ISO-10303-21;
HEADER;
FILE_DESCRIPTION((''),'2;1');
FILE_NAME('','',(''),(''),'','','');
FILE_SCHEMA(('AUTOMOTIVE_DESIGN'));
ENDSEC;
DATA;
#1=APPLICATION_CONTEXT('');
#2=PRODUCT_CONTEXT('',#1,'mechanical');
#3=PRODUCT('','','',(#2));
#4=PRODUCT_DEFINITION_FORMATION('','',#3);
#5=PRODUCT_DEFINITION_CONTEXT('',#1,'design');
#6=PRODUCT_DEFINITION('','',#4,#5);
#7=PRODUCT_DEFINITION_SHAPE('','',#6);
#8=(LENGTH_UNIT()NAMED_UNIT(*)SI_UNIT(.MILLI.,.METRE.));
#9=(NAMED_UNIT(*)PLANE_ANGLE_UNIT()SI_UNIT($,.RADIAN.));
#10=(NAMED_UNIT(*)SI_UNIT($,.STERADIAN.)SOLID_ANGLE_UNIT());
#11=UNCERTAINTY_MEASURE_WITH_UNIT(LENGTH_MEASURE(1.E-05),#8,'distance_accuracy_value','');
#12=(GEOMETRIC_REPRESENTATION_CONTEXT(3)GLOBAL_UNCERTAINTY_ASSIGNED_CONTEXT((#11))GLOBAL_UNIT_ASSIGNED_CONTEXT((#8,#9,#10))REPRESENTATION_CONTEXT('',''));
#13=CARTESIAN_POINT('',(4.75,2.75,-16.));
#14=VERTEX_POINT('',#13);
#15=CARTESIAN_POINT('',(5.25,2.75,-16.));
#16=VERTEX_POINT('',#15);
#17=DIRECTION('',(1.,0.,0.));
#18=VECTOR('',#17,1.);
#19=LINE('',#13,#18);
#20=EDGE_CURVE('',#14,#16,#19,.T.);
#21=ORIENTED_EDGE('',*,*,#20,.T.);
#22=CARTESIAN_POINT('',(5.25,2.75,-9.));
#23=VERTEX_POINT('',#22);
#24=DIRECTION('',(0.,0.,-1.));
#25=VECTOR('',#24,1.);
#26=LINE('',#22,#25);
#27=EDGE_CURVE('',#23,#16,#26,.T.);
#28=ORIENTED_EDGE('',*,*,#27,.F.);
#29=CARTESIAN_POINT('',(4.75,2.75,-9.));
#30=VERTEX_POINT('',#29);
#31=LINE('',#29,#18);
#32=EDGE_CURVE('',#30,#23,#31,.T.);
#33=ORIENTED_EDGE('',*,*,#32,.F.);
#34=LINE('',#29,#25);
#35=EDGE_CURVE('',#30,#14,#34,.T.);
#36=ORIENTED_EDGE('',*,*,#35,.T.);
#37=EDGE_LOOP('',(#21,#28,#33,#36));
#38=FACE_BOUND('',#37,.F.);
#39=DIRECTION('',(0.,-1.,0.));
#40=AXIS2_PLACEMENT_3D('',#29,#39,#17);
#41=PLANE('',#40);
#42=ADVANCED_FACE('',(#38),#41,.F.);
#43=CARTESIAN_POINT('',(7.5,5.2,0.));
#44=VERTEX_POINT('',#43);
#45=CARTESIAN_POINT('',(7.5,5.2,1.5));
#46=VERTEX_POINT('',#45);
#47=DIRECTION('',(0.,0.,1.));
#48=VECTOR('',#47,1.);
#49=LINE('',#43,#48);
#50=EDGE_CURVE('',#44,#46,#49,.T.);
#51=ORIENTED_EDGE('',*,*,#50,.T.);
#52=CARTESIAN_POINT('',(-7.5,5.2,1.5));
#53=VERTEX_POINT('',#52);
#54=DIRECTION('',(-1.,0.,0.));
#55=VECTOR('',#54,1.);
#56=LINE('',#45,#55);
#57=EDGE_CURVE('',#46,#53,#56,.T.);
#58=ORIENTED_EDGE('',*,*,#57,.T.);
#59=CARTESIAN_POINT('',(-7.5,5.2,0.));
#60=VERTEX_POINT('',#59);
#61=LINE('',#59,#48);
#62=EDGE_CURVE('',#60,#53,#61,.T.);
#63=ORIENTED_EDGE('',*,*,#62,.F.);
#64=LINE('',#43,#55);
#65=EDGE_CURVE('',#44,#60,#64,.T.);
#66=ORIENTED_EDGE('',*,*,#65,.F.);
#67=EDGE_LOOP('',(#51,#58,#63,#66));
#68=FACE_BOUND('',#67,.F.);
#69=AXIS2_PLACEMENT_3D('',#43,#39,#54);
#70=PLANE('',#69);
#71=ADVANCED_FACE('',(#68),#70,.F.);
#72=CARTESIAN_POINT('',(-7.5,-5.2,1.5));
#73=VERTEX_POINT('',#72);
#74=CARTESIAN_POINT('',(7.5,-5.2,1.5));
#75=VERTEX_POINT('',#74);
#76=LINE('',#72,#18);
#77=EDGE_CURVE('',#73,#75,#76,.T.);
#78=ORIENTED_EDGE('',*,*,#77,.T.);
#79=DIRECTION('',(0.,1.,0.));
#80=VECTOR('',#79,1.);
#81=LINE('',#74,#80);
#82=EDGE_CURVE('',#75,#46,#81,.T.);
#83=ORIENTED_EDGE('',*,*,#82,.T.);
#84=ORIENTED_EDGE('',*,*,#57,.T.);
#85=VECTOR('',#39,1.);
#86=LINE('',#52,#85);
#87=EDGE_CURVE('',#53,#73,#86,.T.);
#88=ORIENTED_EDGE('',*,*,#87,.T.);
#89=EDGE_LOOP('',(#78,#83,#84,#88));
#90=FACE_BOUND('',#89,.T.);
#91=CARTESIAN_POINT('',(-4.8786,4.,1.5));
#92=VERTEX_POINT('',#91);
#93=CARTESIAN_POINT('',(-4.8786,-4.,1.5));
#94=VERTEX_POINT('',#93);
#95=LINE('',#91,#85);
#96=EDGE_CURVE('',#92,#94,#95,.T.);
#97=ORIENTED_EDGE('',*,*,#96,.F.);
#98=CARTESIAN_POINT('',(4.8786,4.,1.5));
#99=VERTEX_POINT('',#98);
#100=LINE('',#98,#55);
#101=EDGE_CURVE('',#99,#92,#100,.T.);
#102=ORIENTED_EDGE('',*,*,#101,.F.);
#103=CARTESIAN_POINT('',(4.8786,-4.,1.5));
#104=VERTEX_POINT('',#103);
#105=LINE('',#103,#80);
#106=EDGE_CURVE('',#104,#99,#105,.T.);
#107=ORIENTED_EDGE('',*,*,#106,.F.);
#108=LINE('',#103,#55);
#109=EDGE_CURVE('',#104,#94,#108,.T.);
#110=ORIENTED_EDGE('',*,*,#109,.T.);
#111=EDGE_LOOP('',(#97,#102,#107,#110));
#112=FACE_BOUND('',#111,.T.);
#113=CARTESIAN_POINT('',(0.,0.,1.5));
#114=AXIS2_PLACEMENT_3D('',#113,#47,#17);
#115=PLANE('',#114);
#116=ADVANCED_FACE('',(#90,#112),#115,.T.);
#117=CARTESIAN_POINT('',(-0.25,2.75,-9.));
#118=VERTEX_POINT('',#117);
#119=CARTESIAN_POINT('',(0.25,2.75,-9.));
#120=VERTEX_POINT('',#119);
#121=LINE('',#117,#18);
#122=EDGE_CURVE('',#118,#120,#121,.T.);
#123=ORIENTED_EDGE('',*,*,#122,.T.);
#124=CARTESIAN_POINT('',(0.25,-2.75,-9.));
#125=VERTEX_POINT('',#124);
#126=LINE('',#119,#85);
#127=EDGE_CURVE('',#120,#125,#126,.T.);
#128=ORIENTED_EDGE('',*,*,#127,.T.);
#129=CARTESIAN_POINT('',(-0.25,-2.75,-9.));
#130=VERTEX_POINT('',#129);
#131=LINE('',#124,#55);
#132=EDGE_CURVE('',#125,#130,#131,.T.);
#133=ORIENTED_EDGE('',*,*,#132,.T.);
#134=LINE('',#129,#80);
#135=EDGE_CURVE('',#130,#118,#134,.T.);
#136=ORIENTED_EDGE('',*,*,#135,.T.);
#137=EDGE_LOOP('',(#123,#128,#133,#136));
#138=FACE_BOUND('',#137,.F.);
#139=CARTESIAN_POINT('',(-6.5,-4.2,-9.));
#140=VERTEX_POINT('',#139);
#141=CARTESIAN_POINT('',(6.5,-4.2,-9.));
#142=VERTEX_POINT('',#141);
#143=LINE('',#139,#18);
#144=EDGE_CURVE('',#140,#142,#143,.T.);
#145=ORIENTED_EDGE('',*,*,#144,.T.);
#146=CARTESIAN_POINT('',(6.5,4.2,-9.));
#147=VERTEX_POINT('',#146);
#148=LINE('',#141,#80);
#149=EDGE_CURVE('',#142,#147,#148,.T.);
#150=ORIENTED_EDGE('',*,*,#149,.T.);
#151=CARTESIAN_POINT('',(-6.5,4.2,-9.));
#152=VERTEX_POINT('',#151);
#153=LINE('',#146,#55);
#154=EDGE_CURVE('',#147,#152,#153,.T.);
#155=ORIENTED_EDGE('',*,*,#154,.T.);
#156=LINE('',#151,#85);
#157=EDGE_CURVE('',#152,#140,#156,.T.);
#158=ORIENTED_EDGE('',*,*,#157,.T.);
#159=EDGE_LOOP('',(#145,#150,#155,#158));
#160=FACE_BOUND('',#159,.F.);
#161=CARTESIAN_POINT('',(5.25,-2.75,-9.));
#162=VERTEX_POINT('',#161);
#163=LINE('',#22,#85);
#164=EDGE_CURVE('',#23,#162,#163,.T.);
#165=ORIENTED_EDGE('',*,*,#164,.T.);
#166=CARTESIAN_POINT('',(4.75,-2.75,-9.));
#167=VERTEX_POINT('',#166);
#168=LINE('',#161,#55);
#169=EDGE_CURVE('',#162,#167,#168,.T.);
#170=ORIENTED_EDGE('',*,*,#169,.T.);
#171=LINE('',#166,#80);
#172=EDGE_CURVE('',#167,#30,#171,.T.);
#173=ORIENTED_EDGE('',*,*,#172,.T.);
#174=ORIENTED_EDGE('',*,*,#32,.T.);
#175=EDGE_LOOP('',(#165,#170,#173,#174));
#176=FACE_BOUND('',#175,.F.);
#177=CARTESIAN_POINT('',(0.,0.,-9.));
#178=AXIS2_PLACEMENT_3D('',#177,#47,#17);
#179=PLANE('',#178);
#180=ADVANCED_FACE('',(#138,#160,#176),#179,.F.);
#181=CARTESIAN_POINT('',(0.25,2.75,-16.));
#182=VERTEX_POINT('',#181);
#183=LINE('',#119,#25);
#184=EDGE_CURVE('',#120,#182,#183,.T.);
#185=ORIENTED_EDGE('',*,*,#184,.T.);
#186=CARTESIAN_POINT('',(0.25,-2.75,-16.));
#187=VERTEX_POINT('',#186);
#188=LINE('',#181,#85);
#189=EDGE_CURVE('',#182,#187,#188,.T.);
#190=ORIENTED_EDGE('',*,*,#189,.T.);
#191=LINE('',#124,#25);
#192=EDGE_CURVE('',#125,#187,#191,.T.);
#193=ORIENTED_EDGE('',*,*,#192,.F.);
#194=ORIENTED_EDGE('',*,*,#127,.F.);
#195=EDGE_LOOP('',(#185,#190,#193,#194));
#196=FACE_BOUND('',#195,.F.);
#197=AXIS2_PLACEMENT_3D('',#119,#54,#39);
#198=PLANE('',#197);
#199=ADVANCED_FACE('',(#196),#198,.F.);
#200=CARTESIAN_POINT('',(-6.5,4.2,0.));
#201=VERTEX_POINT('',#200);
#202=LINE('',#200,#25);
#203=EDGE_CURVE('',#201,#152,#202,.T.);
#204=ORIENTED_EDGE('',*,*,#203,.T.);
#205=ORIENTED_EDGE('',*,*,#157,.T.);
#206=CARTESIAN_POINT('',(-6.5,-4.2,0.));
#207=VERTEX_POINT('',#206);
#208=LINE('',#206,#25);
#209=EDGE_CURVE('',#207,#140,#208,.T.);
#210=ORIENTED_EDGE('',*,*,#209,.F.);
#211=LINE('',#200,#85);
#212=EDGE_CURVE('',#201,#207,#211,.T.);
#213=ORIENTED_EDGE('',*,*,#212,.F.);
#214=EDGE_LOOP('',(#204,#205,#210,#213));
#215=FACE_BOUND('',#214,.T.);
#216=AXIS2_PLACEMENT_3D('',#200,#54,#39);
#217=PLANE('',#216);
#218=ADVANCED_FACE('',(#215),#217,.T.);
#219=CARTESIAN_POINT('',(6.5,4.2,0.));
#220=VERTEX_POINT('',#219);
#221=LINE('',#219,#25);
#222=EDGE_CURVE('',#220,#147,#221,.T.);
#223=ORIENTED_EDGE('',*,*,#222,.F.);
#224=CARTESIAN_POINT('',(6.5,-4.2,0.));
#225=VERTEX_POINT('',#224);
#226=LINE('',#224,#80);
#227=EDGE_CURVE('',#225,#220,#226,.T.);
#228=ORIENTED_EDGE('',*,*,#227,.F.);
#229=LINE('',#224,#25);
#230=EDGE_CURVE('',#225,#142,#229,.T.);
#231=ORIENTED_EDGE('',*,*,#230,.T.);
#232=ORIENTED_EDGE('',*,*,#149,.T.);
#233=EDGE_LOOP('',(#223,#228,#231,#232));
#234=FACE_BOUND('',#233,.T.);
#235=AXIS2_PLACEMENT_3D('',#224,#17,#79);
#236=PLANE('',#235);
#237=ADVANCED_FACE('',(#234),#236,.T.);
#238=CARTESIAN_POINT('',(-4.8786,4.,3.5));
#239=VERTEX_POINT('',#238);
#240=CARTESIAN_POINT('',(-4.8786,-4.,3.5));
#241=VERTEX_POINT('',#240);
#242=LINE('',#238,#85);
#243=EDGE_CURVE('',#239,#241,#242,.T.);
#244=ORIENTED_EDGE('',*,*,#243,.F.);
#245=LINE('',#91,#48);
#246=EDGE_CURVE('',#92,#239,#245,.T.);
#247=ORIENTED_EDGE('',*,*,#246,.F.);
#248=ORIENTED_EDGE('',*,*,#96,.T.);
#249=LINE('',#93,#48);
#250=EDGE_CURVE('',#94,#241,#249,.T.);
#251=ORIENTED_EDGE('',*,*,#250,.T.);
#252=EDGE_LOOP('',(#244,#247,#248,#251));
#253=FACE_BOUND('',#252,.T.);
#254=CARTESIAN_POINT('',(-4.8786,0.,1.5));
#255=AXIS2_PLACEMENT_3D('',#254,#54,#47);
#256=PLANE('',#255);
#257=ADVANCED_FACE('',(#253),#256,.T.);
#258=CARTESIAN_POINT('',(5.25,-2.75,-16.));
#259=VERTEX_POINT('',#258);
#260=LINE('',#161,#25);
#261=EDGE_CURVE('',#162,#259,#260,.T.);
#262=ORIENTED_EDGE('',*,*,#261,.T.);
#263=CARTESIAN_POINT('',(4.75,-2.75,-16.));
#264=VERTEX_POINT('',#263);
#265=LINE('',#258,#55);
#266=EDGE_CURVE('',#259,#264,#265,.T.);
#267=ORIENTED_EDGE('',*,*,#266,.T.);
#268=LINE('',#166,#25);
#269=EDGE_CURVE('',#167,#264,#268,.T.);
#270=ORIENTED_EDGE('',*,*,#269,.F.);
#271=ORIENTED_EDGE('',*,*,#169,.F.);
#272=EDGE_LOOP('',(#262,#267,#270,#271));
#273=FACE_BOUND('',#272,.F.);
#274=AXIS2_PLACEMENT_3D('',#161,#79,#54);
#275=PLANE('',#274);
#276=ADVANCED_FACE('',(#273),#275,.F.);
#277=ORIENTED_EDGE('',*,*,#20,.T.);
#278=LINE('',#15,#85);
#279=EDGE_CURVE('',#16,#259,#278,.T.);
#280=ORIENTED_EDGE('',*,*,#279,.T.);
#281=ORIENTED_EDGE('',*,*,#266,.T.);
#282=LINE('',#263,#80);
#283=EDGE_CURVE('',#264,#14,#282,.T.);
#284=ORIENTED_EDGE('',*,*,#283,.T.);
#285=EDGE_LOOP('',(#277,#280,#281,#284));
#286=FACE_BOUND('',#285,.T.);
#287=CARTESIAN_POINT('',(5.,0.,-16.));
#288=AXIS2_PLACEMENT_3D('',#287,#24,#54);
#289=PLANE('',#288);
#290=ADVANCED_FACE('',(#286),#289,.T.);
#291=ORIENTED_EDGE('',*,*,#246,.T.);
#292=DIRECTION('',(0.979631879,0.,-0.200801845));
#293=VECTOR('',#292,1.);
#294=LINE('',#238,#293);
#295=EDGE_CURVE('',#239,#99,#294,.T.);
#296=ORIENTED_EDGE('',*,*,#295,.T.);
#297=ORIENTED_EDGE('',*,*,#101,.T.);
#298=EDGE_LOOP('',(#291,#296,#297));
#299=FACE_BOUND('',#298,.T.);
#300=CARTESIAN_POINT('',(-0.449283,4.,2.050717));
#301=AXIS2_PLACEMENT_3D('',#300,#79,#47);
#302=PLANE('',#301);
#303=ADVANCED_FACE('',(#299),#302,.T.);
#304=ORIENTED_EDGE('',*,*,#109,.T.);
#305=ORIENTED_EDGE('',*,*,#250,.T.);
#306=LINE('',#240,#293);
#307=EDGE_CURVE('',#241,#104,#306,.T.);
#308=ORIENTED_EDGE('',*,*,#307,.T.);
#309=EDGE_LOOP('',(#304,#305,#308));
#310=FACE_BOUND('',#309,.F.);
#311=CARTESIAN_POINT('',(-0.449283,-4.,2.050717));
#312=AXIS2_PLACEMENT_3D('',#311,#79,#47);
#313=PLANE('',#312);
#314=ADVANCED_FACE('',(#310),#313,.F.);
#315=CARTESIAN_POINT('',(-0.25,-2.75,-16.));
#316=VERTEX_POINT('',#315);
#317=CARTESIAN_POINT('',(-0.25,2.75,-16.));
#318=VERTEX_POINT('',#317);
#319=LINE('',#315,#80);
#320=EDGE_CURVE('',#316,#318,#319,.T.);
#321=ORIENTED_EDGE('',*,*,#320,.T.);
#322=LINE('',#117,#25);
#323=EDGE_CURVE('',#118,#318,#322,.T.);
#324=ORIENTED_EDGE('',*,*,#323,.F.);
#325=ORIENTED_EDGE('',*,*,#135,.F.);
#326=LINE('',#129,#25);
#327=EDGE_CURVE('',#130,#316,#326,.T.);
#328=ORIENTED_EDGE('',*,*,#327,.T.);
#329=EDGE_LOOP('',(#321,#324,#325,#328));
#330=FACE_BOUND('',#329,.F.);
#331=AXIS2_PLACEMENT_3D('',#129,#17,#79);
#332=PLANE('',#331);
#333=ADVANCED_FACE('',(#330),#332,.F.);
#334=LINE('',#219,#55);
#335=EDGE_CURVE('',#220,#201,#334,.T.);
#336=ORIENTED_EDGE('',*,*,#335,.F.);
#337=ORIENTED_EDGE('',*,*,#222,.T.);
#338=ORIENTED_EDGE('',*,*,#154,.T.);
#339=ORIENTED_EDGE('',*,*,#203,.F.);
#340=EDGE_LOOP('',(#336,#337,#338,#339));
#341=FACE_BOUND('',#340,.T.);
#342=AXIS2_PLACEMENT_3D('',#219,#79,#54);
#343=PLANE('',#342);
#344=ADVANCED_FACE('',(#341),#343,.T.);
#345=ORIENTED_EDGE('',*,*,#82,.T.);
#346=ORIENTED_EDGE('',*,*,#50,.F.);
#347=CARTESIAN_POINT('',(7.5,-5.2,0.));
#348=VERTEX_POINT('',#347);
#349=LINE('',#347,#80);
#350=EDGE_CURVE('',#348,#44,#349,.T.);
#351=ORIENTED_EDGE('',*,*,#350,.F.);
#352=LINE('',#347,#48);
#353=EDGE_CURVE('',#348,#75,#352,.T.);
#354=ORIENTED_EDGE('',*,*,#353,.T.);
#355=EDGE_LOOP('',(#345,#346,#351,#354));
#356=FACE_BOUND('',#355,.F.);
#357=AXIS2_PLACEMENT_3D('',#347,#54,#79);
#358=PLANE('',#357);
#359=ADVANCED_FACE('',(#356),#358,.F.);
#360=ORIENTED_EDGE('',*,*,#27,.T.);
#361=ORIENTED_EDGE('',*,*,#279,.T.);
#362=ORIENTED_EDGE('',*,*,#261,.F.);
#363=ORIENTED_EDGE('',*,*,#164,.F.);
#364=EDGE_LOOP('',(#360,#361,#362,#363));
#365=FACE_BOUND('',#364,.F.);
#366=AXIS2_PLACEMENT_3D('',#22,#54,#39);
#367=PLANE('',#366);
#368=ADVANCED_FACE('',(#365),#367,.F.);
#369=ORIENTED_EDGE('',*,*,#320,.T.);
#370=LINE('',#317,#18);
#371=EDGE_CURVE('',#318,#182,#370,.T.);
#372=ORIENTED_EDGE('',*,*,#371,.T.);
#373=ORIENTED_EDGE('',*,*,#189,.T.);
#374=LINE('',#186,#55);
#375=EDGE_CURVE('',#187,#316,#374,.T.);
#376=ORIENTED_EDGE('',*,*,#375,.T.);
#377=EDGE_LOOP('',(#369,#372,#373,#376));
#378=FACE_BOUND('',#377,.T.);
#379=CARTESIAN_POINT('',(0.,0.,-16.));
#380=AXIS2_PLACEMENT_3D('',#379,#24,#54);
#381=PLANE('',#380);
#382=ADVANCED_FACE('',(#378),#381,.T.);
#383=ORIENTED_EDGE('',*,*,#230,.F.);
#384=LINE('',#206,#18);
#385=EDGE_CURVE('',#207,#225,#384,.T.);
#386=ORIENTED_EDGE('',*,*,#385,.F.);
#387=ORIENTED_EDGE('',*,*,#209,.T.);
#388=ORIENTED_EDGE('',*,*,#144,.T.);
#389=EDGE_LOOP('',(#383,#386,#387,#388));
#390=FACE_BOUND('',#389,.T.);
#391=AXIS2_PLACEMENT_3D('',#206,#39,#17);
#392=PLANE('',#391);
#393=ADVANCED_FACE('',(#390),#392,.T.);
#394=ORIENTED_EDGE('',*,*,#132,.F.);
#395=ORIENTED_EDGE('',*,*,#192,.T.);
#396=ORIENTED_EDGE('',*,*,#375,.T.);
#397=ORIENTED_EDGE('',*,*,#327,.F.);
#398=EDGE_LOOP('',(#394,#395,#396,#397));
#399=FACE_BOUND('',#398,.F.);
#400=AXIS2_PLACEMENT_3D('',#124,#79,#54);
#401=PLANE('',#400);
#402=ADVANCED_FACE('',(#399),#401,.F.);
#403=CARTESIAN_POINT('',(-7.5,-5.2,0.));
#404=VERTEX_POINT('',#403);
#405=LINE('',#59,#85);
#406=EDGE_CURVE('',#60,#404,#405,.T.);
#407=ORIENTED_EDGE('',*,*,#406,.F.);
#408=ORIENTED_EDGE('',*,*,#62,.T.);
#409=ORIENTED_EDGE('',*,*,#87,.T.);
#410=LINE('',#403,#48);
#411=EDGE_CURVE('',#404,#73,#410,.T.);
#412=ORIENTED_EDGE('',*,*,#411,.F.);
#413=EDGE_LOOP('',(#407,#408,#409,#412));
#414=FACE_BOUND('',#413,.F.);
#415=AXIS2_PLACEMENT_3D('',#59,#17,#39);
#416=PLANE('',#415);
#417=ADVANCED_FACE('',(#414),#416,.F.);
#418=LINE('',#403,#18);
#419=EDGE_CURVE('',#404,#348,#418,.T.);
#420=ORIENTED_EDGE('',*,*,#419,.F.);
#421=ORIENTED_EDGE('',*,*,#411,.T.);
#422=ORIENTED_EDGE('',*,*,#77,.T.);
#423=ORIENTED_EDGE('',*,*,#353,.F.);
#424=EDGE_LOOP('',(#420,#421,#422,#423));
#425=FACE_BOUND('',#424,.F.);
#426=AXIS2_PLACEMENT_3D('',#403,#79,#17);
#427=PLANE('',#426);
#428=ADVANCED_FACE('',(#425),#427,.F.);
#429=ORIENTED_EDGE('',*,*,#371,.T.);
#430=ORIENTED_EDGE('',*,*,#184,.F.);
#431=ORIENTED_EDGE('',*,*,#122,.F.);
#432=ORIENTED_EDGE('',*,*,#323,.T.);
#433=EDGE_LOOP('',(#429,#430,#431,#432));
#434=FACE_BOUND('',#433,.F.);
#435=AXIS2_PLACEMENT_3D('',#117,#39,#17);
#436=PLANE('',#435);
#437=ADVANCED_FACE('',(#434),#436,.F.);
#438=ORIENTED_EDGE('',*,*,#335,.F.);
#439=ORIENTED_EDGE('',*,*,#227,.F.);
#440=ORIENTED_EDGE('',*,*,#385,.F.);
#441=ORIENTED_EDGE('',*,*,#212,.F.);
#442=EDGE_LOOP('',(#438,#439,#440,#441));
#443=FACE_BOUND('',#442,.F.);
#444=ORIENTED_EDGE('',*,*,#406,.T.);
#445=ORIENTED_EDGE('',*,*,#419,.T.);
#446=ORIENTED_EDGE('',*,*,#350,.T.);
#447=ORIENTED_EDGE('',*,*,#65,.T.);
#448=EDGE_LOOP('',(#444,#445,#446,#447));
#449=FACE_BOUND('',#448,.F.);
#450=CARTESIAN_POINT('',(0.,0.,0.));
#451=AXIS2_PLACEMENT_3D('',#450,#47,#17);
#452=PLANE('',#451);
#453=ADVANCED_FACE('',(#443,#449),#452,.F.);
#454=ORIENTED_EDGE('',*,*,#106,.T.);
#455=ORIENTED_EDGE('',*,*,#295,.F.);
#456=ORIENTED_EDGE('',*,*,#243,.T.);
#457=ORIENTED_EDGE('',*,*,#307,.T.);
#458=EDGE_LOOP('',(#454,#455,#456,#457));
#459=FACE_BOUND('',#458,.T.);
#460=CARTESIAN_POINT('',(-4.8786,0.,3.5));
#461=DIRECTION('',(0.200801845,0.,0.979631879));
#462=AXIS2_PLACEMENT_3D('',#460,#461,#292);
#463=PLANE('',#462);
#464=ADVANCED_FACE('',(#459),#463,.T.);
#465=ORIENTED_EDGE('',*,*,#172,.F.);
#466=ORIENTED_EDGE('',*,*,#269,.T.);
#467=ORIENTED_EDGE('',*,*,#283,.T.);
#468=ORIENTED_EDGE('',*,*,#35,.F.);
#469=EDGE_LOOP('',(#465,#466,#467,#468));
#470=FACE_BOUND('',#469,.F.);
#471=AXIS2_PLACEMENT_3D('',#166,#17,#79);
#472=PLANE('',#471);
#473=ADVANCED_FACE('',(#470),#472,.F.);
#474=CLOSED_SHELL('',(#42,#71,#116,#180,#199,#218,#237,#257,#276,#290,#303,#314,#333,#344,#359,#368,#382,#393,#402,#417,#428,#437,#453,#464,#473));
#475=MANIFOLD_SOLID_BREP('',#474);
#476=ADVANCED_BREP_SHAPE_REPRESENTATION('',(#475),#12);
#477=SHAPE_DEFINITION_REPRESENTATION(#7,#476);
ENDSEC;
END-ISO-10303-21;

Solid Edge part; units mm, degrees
sketch "Sketch1" plane through (0, 0, 0) normal (0, 0, 1) x (1, 0, 0)
  line L0 (7.5, -5.2) -> (7.5, 5.2)
  line L1 (7.5, 5.2) -> (-7.5, 5.2)
  line L2 (-7.5, 5.2) -> (-7.5, -5.2)
  line L3 (-7.5, -5.2) -> (7.5, -5.2)
extrude "Protrusion1" add sketch "Sketch1" along normal blind 1.5
sketch "Sketch2" plane through (0, 0, 0) normal (0, 0, 1) x (1, 0, 0)
  line L0 (6.5, 4.2) -> (-6.5, 4.2)
  line L1 (-6.5, 4.2) -> (-6.5, -4.2)
  line L2 (-6.5, -4.2) -> (6.5, -4.2)
  line L3 (6.5, -4.2) -> (6.5, 4.2)
extrude "ExtrudedProtrusion_2" add sketch "Sketch2" against normal blind 9
sketch "Sketch3" plane through (0, 0, -9) normal (0, 0, -1) x (1, 0, 0)
  line L0 (-0.25, 2.75) -> (-0.25, -2.75)
  line L1 (-0.25, -2.75) -> (0.25, -2.75)
  line L2 (0.25, -2.75) -> (0.25, 2.75)
  line L3 (0.25, 2.75) -> (-0.25, 2.75)
  line L4 (5.25, -2.75) -> (5.25, 2.75)
  line L5 (5.25, 2.75) -> (4.75, 2.75)
  line L6 (4.75, 2.75) -> (4.75, -2.75)
  line L7 (4.75, -2.75) -> (5.25, -2.75)
  dimension "D1" = 5.5
  dimension "D2" = 0.5
  dimension "D3" = 4.5
extrude "ExtrudedProtrusion_3" add sketch "Sketch3" along normal blind 7
sketch "Sketch4" plane through (0, 0, 0) normal (0, -1, 0) x (1, 0, 0)
  line L0 (-4.8786, 3.5) -> (4.8786, 1.5)
  line L1 (4.8786, 1.5) -> (-4.8786, 1.5)
  line L2 (-4.8786, 1.5) -> (-4.8786, 3.5)
extrude "ExtrudedProtrusion_4" add sketch "Sketch4" along normal mid plane 8
properties material "Graphite"
